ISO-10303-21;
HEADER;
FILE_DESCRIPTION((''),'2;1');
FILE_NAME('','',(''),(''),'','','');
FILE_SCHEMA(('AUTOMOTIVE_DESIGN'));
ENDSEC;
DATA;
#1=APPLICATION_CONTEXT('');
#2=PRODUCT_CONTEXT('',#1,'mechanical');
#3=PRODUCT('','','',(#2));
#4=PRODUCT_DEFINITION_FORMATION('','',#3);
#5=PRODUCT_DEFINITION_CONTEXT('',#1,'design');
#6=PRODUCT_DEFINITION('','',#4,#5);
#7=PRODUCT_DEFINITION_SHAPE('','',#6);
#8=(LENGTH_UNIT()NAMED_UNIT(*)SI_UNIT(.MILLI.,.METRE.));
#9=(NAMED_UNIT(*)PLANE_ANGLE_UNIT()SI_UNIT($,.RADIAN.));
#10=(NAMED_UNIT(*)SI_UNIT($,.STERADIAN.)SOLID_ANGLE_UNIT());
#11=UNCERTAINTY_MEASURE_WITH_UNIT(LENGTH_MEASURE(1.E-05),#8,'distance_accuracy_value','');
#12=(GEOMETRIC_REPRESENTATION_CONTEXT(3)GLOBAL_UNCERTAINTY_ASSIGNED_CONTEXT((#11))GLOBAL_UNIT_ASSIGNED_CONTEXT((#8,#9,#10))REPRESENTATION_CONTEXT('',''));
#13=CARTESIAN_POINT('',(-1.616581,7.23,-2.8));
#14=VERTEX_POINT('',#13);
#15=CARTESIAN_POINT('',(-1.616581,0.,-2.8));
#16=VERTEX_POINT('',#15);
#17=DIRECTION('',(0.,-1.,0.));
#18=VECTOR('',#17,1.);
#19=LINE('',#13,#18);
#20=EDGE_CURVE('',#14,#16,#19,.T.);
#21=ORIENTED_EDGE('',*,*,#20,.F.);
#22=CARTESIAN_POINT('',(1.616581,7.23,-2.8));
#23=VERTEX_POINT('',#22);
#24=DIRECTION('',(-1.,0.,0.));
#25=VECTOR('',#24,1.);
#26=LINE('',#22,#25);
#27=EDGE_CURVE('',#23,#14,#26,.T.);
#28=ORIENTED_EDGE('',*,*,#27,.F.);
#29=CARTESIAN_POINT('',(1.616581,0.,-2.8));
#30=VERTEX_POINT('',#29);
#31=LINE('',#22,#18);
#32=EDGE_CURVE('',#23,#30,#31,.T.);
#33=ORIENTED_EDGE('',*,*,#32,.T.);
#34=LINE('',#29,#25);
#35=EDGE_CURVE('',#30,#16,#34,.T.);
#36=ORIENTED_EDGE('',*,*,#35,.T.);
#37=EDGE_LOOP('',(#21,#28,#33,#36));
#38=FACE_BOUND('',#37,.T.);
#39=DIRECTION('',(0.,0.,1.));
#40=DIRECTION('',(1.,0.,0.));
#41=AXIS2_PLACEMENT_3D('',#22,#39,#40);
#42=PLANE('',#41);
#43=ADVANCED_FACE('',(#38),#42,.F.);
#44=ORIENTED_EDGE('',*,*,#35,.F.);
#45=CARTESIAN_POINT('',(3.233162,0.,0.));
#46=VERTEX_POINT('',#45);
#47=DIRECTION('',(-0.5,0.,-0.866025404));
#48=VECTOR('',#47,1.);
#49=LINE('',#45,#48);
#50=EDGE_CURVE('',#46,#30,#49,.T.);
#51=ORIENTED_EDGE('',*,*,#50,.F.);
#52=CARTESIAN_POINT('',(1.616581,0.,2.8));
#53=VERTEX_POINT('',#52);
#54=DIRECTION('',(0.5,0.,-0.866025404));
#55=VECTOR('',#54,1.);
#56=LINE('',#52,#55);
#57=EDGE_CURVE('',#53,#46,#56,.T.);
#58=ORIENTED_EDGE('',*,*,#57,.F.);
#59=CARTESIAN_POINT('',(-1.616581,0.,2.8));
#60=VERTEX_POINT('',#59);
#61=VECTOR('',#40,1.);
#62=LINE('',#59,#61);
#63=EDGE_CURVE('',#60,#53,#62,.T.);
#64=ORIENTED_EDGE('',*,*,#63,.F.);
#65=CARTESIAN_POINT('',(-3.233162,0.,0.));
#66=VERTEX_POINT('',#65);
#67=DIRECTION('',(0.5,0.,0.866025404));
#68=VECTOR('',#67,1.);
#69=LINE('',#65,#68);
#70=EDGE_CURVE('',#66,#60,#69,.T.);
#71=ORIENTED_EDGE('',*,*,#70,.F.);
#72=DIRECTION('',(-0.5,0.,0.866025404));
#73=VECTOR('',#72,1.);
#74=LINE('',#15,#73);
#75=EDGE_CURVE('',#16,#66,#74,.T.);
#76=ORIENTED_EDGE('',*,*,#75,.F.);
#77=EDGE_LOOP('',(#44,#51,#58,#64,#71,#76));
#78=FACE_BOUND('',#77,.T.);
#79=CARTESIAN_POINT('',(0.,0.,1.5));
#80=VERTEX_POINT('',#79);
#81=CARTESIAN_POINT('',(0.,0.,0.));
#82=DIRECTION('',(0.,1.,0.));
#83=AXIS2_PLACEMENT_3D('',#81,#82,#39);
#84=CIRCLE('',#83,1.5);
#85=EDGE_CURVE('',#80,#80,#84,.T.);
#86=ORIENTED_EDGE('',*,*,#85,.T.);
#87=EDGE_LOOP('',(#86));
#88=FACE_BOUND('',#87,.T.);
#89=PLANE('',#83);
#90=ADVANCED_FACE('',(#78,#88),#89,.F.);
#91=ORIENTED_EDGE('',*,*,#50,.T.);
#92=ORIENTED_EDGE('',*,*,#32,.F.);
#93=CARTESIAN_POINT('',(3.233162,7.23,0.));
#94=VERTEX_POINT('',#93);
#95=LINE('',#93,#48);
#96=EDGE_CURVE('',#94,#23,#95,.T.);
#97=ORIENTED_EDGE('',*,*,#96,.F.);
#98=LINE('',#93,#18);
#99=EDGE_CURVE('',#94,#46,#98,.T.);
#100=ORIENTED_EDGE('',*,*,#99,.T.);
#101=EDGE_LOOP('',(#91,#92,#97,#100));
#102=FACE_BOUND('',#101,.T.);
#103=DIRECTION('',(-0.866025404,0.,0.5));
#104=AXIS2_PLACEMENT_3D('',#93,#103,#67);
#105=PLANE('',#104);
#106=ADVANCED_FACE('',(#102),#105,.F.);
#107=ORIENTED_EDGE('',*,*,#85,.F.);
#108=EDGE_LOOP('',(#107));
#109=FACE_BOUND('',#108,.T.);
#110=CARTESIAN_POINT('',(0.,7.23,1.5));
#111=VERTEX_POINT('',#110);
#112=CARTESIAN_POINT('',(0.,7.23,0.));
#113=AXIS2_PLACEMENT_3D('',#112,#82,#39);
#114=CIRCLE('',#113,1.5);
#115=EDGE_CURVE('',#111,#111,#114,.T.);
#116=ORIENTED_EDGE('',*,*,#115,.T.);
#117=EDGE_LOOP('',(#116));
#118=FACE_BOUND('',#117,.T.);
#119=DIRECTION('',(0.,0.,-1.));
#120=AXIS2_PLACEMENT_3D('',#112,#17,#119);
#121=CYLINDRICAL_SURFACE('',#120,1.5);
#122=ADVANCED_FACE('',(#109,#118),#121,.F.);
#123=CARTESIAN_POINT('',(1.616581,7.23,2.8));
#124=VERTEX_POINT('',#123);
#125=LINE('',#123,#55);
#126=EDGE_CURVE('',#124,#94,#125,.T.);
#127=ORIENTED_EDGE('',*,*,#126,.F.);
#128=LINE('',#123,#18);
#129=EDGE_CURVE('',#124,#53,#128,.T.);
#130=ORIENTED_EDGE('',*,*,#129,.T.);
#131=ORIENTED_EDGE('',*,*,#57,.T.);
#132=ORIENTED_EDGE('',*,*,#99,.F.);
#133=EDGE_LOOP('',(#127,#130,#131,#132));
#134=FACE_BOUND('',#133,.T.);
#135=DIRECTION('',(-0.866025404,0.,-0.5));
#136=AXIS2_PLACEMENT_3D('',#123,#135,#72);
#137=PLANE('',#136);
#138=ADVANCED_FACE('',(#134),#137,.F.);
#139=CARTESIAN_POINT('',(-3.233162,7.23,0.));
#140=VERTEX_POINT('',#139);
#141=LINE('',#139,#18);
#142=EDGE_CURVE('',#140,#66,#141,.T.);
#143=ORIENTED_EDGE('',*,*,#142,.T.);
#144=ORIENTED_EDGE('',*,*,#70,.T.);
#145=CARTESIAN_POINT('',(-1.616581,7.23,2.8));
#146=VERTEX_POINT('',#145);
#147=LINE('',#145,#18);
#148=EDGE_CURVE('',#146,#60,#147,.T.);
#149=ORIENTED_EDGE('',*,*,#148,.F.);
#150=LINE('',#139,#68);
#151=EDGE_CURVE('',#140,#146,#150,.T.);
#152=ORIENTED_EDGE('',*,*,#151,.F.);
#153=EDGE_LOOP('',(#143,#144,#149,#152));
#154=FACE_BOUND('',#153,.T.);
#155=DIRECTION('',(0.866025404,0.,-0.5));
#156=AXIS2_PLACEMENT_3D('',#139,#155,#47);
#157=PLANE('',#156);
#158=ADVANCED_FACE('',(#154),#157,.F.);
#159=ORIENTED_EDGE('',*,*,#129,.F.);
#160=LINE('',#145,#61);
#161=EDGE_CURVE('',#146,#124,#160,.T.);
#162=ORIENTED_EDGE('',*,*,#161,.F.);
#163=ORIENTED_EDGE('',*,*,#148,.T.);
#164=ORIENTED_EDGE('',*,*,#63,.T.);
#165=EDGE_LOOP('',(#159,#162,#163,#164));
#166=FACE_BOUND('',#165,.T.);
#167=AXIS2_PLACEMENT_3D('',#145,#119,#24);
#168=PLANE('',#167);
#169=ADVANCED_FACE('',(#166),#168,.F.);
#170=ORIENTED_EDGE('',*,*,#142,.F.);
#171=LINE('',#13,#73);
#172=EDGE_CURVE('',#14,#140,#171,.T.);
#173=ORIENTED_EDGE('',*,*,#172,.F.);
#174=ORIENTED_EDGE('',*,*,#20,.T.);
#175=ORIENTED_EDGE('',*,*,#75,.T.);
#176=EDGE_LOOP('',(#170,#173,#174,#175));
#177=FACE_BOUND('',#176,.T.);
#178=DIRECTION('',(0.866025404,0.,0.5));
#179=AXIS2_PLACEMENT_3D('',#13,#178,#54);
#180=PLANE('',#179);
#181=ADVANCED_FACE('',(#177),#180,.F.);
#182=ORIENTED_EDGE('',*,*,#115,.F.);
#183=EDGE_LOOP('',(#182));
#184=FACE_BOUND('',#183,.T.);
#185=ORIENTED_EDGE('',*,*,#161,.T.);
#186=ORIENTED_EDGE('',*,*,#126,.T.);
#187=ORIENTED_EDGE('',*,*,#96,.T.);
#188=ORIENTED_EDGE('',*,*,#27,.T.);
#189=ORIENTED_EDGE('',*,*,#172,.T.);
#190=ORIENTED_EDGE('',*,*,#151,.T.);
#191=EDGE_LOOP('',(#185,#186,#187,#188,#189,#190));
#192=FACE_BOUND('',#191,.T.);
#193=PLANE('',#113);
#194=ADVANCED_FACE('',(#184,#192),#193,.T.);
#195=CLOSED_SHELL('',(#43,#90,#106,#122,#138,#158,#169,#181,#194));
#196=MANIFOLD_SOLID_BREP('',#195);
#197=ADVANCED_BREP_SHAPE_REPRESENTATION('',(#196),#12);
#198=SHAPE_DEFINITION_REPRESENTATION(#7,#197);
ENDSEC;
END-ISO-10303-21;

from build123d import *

# Parameters (mm, degrees)
SKETCH_1_R      = 1.5
EXTRUDE_1_DEPTH = 7.23


with BuildPart() as part:
    # 草图1 → 凸台-拉伸1 (new body)
    with BuildSketch(Plane(origin=(0, 0, 0), x_dir=(1, 0, 0), z_dir=(0, 1, 0))):
        Polygon((3.233161507, 0), (1.616580754, 2.8), (-1.616580754, 2.8), (-3.233161507, 0), (-1.616580754, -2.8), (1.616580754, -2.8), align=None)
        Circle(SKETCH_1_R, mode=Mode.SUBTRACT)
    extrude(amount=EXTRUDE_1_DEPTH)


solid = part.part
